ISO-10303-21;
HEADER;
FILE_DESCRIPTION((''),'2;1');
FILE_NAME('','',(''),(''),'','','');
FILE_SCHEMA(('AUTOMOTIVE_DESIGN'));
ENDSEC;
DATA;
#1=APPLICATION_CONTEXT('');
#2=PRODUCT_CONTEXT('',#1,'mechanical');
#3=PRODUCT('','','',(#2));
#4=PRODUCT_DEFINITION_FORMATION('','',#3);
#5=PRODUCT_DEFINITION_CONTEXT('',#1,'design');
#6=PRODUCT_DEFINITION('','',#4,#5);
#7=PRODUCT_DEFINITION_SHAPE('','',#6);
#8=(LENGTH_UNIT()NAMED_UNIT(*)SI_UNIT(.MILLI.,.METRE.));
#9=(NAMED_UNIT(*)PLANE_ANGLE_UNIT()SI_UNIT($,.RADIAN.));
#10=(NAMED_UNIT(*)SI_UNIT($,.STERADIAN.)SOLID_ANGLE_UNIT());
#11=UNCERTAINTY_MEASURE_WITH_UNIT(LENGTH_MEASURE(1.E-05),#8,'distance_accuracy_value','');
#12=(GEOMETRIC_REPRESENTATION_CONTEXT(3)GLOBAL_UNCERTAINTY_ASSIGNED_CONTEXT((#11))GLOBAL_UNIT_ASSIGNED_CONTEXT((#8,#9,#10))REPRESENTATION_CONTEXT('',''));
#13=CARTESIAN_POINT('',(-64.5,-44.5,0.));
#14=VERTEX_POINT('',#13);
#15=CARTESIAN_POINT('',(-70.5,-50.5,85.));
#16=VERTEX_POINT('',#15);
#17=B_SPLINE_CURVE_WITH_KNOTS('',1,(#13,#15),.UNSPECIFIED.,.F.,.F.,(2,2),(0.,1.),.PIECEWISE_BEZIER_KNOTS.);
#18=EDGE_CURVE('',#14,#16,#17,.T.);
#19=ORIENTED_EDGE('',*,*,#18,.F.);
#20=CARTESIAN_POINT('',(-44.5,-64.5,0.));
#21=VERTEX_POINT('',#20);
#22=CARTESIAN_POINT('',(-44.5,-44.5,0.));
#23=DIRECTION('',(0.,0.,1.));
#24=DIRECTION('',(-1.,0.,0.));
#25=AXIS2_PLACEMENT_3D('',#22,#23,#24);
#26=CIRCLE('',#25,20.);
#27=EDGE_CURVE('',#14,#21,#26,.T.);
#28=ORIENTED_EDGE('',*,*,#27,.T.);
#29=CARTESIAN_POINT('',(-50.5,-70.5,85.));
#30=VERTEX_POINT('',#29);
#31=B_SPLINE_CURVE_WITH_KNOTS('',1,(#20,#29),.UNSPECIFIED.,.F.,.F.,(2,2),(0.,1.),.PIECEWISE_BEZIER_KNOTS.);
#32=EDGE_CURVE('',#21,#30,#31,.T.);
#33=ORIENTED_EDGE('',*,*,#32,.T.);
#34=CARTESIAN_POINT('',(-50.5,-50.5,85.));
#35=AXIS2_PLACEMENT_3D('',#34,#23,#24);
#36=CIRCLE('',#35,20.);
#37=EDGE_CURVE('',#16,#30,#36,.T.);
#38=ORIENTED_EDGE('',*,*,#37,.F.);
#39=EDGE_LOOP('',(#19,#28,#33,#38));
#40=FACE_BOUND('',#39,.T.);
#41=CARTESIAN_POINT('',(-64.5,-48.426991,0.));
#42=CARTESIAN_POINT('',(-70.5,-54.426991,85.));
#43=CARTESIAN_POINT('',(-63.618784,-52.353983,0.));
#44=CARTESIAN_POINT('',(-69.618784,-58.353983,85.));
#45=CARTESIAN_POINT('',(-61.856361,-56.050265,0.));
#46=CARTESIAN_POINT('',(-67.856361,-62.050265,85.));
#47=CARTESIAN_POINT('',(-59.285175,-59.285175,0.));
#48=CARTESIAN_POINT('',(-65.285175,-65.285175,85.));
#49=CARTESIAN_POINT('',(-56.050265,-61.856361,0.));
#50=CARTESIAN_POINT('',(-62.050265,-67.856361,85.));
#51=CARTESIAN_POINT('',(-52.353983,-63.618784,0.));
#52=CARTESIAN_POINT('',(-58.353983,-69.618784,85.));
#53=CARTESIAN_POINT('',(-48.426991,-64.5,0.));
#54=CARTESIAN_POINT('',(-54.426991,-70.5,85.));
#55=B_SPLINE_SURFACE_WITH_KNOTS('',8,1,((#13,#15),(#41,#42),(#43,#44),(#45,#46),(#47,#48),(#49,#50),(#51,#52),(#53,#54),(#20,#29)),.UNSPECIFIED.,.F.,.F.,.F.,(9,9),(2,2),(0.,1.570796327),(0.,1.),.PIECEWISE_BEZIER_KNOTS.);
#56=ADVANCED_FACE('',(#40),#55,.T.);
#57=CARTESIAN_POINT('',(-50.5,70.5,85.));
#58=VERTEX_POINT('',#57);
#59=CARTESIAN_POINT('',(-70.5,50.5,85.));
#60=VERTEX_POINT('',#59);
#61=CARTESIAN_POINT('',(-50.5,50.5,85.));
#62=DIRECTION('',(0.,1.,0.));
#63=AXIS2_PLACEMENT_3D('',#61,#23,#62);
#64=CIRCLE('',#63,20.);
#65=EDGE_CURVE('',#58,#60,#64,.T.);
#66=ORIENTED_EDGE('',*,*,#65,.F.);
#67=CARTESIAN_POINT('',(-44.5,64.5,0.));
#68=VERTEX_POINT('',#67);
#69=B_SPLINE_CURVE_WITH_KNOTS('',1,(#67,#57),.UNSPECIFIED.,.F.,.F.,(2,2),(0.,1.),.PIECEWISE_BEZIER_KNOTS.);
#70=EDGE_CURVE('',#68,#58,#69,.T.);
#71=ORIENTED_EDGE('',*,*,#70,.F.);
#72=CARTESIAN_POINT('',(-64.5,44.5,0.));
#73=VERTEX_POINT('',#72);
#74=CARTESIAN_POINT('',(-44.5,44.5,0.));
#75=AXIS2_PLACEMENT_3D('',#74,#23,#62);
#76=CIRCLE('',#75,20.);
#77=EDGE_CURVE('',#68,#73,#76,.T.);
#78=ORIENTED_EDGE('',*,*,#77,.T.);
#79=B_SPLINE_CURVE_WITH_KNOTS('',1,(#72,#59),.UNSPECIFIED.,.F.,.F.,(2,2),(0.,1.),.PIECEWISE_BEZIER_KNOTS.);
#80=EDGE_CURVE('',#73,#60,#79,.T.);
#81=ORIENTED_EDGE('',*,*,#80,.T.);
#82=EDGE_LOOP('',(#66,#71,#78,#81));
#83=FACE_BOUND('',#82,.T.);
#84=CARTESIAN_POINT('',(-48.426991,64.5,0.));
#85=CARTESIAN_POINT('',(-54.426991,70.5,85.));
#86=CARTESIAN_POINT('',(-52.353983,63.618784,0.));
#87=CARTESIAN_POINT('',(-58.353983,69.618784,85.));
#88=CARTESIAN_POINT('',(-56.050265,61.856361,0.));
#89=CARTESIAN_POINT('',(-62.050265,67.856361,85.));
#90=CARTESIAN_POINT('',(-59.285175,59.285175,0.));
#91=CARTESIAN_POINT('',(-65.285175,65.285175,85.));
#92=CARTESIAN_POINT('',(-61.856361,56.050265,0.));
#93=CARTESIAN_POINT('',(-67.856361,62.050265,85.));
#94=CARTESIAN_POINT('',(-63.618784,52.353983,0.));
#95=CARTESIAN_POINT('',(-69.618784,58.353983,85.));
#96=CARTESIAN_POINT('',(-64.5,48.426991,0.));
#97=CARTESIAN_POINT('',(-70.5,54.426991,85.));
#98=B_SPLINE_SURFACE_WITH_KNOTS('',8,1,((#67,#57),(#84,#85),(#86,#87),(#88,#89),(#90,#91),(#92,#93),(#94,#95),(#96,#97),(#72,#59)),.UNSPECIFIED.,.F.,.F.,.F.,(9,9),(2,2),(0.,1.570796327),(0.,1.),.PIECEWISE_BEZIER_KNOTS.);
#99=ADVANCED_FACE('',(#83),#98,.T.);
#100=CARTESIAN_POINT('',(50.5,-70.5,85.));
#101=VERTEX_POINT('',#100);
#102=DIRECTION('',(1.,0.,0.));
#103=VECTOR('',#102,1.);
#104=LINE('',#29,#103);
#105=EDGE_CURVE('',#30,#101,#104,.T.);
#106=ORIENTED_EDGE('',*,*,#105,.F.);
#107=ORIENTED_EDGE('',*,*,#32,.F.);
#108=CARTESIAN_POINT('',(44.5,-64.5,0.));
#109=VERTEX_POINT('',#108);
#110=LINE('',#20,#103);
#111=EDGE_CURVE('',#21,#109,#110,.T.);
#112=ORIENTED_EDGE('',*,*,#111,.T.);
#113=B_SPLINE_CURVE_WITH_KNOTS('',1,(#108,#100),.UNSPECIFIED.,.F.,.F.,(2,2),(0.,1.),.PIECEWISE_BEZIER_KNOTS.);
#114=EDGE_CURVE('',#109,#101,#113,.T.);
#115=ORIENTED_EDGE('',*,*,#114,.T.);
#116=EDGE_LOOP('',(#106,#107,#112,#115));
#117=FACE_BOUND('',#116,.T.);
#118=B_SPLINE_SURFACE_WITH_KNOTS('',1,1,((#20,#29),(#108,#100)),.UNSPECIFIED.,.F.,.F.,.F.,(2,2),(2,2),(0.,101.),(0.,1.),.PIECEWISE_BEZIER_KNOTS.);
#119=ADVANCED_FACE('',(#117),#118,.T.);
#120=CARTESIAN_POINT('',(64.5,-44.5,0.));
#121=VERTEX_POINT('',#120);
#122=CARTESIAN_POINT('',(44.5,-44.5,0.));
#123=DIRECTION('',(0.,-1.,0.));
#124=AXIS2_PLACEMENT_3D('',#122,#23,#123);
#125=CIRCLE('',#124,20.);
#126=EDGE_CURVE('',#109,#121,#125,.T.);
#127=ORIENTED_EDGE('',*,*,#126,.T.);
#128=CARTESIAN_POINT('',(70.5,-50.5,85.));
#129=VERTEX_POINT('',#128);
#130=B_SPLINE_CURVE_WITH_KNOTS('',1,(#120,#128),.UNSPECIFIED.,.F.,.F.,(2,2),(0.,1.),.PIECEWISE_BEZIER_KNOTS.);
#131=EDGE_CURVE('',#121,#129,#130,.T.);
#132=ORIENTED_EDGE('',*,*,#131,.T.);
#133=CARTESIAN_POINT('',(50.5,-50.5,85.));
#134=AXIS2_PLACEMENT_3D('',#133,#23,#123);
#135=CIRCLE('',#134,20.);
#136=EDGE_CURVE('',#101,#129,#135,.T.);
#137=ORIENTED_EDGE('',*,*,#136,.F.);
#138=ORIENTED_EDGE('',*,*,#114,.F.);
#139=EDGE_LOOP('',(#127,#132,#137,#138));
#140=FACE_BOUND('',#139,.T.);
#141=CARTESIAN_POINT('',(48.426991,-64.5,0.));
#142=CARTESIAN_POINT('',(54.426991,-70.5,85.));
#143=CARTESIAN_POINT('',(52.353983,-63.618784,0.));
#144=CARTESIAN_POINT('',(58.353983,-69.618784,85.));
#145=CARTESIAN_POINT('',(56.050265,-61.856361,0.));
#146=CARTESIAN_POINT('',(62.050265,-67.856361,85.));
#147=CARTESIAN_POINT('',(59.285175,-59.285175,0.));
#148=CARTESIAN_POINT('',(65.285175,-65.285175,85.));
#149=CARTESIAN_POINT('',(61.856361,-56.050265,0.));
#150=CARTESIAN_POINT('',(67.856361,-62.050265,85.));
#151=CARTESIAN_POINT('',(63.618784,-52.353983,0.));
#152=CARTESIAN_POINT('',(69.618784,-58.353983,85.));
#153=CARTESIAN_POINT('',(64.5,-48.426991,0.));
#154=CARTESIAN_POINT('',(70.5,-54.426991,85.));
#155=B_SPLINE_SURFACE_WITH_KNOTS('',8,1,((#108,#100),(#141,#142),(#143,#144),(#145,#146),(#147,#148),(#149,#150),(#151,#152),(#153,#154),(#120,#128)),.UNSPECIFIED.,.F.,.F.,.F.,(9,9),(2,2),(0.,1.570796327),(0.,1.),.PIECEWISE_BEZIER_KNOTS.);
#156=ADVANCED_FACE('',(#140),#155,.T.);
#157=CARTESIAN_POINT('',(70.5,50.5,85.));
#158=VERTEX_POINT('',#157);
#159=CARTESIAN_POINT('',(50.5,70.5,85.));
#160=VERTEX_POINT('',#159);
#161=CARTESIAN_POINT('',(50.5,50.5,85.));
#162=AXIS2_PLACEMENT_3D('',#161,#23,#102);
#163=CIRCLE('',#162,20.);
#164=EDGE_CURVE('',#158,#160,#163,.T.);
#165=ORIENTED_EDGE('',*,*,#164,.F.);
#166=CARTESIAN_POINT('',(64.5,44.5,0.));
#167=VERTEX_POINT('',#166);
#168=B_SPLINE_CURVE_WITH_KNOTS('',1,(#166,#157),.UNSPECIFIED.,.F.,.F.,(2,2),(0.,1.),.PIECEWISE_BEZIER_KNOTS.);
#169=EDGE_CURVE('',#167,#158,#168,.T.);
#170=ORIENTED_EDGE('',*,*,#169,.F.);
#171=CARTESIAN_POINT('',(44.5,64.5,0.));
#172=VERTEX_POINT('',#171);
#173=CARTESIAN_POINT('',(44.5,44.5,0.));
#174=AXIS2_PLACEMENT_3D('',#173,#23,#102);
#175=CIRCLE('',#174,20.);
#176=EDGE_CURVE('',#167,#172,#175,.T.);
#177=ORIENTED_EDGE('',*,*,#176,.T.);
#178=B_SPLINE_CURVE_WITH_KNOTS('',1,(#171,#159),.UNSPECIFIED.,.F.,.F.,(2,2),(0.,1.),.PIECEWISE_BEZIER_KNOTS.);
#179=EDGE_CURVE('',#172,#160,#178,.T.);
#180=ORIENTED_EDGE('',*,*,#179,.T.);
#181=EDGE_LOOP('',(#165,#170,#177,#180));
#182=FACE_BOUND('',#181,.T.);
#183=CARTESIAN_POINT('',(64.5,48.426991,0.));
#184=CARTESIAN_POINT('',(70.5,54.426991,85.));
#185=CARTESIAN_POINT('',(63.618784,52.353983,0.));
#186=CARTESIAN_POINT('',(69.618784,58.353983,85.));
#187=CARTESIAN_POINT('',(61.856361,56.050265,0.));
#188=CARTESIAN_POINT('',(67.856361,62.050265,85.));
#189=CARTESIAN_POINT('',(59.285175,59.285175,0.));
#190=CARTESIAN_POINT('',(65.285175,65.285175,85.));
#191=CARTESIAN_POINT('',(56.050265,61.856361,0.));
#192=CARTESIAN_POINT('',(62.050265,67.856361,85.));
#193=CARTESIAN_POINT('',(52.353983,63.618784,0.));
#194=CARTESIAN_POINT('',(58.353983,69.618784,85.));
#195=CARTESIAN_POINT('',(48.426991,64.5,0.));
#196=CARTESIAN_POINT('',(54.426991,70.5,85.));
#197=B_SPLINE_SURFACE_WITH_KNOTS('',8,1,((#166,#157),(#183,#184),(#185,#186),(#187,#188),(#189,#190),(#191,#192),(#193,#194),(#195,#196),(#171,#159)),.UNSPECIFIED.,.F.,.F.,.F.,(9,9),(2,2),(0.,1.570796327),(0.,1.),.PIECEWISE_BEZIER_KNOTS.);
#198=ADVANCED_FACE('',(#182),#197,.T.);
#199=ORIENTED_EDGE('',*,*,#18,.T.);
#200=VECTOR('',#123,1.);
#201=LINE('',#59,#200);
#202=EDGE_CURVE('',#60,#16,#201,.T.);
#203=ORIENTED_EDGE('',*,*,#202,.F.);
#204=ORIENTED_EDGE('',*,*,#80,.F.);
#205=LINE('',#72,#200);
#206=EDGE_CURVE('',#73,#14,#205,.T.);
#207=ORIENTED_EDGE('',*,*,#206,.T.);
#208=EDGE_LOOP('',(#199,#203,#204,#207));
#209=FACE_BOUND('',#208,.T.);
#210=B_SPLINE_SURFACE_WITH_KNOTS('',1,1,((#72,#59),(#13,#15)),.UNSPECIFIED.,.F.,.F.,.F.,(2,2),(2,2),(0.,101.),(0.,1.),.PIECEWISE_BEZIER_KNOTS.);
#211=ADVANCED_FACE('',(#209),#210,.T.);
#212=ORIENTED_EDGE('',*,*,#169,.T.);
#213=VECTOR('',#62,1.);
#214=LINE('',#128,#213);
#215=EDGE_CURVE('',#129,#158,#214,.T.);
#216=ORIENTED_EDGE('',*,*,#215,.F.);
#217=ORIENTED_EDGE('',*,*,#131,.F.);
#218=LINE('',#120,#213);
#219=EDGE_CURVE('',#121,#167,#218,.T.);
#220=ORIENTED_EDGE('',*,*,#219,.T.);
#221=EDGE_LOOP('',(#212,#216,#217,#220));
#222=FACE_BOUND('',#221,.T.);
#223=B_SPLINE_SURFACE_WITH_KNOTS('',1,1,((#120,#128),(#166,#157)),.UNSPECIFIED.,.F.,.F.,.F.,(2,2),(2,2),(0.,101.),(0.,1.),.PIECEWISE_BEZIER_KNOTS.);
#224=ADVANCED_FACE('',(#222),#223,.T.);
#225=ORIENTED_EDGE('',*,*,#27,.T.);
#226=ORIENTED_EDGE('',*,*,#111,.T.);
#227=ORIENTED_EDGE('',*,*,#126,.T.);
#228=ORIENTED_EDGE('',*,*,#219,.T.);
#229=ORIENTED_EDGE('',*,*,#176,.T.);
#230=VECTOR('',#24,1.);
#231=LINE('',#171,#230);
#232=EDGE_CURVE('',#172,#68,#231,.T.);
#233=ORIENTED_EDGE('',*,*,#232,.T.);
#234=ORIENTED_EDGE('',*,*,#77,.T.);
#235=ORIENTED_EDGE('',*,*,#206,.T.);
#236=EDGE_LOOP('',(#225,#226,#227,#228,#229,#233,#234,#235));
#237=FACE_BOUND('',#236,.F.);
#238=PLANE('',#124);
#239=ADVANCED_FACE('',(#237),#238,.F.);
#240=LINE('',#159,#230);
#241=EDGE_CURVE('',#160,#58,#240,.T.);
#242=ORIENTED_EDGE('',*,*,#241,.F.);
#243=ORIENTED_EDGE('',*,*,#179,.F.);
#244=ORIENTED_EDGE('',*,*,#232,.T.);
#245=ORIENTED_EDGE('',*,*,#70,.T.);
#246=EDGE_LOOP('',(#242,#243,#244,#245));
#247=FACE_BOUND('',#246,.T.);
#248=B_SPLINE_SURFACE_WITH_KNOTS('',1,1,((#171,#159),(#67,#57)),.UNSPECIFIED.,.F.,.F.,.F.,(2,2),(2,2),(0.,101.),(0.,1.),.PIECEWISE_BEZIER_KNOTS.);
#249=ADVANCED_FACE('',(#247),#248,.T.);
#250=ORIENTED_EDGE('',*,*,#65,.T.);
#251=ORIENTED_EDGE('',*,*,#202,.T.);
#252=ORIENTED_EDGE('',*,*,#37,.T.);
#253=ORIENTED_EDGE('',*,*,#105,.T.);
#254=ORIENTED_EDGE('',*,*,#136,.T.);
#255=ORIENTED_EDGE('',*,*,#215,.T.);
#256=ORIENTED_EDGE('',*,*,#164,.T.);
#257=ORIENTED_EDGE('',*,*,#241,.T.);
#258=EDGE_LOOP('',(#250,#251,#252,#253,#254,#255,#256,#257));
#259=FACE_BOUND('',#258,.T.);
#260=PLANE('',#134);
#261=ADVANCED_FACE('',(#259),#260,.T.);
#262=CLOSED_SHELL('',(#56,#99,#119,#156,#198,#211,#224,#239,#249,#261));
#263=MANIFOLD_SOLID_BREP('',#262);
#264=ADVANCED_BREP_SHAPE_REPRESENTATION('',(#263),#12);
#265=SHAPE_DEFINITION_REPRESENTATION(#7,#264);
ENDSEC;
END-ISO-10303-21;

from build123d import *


with BuildPart() as f3:
    # F0 (on Top) → F3 section 0
    with BuildSketch(Plane.XY):
        with BuildLine():
            Line((-44.5, -64.5), (44.5, -64.5))
            ThreePointArc((44.5, -64.5), (58.6421356237, -58.6421356237), (64.5, -44.5))
            Line((64.5, -44.5), (64.5, 44.5))
            ThreePointArc((64.5, 44.5), (58.6421356237, 58.6421356237), (44.5, 64.5))
            Line((44.5, 64.5), (-44.5, 64.5))
            ThreePointArc((-44.5, 64.5), (-58.6421356237, 58.6421356237), (-64.5, 44.5))
            Line((-64.5, 44.5), (-64.5, -44.5))
            ThreePointArc((-64.5, -44.5), (-58.6421356237, -58.6421356237), (-44.5, -64.5))
        make_face()
    # F2 (on offset) → F3 section 1
    with BuildSketch(Plane.XY.offset(85)):
        with BuildLine():
            ThreePointArc((70.5, 50.5), (64.6421356237, 64.6421356237), (50.5, 70.5))
            Line((50.5, 70.5), (-50.5, 70.5))
            ThreePointArc((-50.5, 70.5), (-64.6421356237, 64.6421356237), (-70.5, 50.5))
            Line((-70.5, 50.5), (-70.5, -50.5))
            ThreePointArc((-70.5, -50.5), (-64.6421356237, -64.6421356237), (-50.5, -70.5))
            Line((-50.5, -70.5), (50.5, -70.5))
            ThreePointArc((50.5, -70.5), (64.6421356237, -64.6421356237), (70.5, -50.5))
            Line((70.5, -50.5), (70.5, 50.5))
        make_face()
    loft()


solid = f3.part
